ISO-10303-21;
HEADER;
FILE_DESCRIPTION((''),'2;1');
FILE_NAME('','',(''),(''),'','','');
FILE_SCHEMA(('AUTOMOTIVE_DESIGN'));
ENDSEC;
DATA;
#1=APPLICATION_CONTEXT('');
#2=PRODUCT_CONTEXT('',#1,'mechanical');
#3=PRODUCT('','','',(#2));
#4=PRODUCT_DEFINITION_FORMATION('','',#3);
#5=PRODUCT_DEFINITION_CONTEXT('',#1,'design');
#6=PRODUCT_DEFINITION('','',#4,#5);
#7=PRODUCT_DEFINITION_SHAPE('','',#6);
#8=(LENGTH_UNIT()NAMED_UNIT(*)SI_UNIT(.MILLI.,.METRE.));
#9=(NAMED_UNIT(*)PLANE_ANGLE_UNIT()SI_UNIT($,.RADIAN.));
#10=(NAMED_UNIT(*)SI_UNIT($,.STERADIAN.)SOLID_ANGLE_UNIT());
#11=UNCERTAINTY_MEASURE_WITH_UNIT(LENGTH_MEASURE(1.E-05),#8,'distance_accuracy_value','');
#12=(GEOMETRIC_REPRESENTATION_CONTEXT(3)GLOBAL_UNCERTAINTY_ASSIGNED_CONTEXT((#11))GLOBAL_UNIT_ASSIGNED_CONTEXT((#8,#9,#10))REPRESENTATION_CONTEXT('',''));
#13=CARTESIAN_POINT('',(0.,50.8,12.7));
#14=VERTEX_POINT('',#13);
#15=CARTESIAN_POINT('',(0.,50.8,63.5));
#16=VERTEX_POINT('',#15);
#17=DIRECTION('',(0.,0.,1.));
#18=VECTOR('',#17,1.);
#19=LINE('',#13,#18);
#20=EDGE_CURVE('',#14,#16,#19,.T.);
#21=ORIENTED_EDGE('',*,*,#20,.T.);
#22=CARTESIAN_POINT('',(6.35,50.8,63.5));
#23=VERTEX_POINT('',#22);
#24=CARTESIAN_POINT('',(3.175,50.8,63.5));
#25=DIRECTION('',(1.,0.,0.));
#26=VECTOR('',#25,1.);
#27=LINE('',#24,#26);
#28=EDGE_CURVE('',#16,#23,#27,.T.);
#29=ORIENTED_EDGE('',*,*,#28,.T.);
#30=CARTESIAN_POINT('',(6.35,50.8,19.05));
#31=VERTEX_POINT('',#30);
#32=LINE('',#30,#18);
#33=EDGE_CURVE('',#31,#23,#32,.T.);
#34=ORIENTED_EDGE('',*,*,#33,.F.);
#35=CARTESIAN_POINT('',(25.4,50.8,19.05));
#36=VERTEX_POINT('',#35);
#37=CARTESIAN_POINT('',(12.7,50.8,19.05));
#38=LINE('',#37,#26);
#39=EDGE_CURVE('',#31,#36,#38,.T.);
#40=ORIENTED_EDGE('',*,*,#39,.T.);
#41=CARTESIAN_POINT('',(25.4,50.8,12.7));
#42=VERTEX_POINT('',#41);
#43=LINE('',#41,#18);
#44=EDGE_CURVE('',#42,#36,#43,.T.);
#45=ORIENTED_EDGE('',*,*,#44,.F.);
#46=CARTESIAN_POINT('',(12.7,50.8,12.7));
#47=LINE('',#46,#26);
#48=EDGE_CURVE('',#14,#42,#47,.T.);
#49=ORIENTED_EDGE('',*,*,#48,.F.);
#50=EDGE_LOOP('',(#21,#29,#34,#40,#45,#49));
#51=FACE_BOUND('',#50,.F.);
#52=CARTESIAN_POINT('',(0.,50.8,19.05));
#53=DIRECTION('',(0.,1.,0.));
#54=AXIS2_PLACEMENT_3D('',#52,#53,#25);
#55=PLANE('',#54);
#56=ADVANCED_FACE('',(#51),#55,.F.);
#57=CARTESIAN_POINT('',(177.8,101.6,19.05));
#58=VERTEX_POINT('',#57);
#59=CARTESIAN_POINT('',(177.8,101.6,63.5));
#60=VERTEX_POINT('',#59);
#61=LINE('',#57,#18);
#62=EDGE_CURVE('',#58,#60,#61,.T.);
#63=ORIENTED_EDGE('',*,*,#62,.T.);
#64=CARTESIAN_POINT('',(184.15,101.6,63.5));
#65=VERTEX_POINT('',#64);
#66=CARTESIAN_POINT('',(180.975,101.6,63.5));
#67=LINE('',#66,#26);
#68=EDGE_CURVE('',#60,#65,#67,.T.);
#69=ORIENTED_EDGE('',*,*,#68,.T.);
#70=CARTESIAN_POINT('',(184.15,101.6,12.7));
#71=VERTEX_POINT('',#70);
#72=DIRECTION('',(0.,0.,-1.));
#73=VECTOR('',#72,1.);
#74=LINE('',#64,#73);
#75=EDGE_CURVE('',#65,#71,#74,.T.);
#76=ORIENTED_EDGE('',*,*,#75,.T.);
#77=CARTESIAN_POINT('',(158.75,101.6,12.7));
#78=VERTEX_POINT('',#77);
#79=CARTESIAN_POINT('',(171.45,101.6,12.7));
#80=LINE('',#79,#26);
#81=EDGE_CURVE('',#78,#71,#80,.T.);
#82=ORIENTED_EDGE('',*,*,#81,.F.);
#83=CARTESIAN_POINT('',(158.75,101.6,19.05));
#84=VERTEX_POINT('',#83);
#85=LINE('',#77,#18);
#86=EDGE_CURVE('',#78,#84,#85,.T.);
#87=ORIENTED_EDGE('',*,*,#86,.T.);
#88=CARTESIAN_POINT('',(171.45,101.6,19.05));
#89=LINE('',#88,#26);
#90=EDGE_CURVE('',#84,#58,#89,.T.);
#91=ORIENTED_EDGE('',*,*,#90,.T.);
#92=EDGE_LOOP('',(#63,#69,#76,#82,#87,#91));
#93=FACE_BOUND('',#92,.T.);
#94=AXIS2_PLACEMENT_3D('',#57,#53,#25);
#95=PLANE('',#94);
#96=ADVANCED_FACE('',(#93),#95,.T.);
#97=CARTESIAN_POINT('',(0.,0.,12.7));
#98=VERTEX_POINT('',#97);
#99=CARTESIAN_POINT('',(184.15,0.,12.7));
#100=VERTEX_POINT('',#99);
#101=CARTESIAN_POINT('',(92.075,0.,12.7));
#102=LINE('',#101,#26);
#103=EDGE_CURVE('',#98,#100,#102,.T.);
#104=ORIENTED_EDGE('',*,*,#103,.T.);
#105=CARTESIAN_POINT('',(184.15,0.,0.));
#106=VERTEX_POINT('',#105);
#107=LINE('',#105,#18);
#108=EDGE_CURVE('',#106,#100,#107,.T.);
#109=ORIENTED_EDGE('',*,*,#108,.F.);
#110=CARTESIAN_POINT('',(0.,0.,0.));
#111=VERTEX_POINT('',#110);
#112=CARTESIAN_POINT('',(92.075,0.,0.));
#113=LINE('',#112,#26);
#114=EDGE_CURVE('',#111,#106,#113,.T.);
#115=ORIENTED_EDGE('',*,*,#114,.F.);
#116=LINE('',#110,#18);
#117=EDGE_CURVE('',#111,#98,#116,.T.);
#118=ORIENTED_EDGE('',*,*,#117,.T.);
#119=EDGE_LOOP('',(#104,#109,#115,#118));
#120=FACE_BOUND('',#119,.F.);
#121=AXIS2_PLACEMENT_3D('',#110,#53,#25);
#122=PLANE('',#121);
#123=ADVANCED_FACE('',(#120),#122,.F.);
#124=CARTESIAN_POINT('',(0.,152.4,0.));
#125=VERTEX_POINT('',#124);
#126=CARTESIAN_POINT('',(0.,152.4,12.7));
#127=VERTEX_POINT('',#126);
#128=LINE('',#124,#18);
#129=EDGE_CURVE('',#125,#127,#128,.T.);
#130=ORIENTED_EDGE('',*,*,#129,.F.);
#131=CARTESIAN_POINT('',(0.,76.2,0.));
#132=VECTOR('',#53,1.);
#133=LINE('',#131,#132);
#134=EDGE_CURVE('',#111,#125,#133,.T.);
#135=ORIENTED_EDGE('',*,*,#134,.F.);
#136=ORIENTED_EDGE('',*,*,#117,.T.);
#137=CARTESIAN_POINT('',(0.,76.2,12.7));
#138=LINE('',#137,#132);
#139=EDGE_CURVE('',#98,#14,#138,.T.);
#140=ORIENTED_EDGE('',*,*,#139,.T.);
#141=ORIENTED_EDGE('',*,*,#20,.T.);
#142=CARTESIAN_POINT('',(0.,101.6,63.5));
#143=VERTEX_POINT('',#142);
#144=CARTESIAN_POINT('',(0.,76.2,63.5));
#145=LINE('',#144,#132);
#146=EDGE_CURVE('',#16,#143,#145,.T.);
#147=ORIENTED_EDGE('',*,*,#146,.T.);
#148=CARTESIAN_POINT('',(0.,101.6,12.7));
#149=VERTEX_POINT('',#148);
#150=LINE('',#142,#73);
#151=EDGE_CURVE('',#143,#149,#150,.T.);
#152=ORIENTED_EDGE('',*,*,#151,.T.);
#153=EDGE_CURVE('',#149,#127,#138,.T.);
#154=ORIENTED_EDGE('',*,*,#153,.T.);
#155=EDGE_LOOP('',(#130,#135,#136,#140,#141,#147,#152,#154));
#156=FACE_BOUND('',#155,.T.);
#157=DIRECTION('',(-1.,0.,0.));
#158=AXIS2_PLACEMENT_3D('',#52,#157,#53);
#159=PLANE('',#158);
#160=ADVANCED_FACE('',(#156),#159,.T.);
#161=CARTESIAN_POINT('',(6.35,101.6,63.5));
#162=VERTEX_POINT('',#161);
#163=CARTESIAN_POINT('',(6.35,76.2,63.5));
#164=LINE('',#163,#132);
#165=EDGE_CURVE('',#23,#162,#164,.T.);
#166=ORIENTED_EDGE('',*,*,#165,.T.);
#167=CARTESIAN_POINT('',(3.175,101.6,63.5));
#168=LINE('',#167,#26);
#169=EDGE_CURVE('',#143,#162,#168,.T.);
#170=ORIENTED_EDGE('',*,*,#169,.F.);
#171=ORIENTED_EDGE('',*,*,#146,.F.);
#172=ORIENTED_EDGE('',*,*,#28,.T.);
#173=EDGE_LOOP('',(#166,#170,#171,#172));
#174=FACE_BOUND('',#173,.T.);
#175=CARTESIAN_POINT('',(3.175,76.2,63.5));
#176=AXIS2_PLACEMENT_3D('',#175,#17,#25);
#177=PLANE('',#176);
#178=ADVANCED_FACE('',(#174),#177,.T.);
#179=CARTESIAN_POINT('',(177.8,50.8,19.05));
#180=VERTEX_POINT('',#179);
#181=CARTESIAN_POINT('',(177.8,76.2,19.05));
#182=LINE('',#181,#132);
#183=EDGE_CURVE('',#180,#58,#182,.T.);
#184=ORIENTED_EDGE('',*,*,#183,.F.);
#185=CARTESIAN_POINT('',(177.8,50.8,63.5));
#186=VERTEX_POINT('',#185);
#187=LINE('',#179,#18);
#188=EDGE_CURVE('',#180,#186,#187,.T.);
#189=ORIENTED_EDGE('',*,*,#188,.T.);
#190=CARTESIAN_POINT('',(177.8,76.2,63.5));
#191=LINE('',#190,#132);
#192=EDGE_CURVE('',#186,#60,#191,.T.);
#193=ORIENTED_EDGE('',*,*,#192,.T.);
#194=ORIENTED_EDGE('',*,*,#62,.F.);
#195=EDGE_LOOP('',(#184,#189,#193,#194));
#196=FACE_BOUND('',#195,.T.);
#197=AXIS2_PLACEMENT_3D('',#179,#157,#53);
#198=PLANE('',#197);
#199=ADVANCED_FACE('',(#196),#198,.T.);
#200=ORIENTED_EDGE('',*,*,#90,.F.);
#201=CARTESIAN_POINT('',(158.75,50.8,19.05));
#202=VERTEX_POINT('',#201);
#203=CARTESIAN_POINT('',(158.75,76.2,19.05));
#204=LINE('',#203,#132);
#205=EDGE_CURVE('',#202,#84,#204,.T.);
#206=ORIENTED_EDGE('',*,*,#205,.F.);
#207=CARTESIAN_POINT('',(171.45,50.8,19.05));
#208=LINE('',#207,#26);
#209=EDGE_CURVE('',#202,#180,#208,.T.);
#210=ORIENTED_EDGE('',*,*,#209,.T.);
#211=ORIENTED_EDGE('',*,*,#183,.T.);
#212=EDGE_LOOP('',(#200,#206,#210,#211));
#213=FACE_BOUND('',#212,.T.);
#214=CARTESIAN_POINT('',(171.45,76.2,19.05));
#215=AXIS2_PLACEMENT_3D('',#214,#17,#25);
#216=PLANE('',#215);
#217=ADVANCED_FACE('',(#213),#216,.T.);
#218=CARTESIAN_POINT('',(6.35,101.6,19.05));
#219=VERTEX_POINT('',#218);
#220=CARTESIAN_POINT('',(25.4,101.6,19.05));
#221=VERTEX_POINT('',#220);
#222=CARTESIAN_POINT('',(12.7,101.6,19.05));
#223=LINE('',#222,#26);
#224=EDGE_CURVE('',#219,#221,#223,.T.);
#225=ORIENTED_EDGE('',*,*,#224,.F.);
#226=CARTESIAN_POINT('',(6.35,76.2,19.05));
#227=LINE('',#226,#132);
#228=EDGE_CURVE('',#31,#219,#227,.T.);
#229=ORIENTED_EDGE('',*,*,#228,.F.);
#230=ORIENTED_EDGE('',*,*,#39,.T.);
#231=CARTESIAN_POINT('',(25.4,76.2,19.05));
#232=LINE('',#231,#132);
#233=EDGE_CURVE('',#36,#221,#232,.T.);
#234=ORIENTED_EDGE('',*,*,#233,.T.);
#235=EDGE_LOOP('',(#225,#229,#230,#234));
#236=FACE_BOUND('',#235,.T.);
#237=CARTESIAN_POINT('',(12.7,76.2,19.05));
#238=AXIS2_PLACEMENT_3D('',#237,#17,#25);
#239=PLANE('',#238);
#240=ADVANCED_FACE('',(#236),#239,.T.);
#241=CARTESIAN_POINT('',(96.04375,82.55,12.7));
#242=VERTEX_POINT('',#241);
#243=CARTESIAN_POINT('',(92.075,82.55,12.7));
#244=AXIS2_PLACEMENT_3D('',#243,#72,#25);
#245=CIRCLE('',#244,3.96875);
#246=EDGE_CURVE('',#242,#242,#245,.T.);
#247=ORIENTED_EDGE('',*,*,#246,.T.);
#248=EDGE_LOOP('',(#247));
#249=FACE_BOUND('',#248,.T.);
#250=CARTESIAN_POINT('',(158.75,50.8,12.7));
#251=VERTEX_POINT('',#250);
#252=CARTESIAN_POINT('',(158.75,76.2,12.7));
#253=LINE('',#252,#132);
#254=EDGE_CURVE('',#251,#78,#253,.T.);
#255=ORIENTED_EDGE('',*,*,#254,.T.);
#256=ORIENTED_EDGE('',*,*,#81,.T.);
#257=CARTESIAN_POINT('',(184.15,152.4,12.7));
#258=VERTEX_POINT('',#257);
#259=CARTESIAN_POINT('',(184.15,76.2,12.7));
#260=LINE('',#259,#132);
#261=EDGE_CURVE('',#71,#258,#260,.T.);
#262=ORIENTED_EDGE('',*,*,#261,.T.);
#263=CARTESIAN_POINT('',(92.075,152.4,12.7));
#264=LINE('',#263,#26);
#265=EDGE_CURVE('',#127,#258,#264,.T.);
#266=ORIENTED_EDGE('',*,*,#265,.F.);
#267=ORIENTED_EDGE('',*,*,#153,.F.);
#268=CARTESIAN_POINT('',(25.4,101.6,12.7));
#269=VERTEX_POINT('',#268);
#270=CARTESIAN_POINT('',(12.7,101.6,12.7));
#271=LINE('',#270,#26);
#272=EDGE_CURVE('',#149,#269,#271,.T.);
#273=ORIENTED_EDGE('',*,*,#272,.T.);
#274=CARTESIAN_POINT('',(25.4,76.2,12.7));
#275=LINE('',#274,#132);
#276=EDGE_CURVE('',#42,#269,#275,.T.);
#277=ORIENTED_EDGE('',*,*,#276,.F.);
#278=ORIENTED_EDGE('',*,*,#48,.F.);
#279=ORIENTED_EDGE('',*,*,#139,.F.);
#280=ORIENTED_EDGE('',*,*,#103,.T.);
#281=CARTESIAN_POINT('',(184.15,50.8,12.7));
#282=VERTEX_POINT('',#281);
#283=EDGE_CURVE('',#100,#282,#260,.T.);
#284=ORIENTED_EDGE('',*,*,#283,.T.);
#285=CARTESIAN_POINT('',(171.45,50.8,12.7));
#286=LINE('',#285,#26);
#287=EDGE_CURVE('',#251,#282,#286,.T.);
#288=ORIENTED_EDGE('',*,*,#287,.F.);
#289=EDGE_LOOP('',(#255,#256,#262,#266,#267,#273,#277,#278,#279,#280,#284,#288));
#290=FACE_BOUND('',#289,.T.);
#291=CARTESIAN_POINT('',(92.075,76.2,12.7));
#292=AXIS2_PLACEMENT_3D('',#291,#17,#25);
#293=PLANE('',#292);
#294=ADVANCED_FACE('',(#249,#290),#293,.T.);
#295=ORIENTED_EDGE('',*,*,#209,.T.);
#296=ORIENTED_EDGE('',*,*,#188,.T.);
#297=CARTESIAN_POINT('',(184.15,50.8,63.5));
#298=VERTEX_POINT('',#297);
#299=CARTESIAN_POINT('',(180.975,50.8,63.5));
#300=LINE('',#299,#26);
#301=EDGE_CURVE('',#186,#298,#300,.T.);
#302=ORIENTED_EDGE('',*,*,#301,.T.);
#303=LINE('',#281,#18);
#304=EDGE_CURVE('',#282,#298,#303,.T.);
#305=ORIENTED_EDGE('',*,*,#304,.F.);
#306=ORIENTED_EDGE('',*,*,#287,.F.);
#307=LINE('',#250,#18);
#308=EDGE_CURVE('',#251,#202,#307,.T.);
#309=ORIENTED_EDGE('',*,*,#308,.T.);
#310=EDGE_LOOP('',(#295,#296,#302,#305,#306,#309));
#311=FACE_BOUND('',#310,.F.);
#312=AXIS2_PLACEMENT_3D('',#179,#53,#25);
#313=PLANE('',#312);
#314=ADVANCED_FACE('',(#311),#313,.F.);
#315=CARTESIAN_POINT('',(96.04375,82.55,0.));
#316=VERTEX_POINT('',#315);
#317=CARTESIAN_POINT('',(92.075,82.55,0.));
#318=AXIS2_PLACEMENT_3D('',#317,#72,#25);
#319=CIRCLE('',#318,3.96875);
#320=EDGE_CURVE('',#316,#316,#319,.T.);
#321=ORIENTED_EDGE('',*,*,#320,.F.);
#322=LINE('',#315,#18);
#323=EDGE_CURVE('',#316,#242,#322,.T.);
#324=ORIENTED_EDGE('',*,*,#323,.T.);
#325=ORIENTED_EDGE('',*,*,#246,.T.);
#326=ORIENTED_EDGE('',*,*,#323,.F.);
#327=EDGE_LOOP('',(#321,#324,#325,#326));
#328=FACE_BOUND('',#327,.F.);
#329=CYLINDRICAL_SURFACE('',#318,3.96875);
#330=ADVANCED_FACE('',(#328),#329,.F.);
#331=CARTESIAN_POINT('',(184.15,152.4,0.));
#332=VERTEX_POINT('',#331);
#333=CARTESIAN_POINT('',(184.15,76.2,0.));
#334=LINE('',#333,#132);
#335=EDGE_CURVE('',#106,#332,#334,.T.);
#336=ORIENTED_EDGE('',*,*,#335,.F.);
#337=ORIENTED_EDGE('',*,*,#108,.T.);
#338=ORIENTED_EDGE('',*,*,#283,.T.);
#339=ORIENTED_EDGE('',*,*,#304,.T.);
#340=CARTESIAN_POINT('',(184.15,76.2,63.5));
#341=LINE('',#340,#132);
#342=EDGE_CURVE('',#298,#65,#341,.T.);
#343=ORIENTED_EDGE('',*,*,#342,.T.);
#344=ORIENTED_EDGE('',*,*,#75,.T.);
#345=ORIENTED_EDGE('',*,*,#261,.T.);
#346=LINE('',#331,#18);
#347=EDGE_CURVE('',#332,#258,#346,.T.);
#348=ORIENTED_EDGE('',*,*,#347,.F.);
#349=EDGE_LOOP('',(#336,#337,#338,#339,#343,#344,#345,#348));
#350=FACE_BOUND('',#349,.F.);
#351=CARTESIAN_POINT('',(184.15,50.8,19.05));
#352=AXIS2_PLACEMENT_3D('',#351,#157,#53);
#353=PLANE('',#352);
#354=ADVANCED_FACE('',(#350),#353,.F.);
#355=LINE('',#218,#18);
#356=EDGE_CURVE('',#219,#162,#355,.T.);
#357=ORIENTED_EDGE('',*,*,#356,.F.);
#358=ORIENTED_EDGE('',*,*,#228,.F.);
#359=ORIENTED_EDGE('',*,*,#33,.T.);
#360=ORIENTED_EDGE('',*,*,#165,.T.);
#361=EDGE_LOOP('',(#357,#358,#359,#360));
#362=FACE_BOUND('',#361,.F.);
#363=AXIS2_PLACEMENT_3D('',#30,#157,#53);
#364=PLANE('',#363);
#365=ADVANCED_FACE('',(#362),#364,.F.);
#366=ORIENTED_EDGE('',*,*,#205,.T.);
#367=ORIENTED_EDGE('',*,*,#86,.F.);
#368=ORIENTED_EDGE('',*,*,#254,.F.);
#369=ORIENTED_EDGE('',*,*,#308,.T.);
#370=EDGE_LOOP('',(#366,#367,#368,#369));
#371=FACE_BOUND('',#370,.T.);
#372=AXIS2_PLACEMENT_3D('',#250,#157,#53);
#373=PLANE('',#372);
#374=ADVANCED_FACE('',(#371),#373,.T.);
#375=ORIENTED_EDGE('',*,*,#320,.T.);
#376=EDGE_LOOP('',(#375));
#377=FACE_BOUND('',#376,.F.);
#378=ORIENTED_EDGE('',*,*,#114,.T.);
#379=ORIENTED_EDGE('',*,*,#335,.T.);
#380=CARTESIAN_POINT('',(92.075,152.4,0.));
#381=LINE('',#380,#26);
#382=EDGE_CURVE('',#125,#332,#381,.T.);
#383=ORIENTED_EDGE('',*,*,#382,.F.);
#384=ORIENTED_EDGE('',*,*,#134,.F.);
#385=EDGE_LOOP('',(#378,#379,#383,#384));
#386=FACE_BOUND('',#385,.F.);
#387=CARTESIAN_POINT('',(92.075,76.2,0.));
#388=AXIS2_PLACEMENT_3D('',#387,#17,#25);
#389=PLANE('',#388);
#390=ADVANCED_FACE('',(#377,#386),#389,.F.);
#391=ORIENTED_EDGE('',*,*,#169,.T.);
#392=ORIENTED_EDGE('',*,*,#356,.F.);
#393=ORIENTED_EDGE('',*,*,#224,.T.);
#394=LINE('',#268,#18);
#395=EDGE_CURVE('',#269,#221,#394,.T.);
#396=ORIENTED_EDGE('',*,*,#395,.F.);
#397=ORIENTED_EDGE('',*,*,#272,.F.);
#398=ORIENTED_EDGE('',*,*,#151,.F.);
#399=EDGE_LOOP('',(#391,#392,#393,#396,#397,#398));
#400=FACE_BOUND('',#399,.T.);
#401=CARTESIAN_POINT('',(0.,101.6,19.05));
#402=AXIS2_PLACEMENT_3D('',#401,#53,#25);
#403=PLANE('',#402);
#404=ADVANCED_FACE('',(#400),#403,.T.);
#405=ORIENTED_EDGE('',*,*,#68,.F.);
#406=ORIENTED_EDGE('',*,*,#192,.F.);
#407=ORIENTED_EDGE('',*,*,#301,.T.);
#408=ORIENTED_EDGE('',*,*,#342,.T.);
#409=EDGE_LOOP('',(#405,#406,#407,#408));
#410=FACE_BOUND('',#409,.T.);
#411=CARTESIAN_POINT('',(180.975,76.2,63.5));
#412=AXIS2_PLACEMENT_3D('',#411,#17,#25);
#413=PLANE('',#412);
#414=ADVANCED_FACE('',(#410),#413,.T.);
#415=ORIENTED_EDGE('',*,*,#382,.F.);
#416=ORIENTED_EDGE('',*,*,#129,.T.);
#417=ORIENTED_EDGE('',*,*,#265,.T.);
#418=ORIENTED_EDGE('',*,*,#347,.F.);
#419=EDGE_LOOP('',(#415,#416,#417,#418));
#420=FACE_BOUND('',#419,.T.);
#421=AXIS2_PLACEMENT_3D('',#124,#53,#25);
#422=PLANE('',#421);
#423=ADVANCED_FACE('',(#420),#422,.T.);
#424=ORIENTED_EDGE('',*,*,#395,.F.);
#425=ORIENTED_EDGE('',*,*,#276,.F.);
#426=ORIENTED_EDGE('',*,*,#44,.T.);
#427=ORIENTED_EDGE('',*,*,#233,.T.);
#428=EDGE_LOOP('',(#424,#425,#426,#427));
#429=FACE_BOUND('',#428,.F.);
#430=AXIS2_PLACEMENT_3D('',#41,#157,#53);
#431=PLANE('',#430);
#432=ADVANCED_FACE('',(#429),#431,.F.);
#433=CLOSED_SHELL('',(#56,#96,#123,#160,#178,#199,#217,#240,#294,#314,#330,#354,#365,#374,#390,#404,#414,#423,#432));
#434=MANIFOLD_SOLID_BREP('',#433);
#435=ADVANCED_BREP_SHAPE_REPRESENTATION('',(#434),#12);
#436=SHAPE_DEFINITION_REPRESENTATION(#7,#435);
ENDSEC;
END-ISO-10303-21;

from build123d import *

# Parameters (mm, degrees)
F0_W      = 184.15
F0_H      = 152.4
F1_DEPTH  = 12.7
F3_R      = 3.96875
F4_DEPTH  = 25.4
F5_W      = 25.4
F5_H      = 50.8
F6_DEPTH  = 6.35
F7_W      = 6.35
F7_H      = 50.8
F8_DEPTH  = 44.45
F9_W      = 6.35
F9_H      = 50.8
F10_DEPTH = 44.45


with BuildPart() as f1:
    # F0 (on Top) → F1 (new body)
    with BuildSketch(Plane.XY):
        with Locations((92.075, 76.2)):
            Rectangle(F0_W, F0_H)
    extrude(amount=F1_DEPTH)

    # F3 (on face) → F4 (cut)
    with BuildSketch(Plane(origin=(0, 0, 0), x_dir=(1, 0, 0), z_dir=(0, 0, -1))):
        with Locations((92.075, -82.55)):
            Circle(F3_R)
    extrude(amount=-F4_DEPTH, mode=Mode.SUBTRACT)

    # F5 (on face) → F6 (join)
    with BuildSketch(Plane.XY.offset(12.7)):
        with Locations((12.7, 76.2)):
            Rectangle(F5_W, F5_H)
        with Locations((171.45, 76.2)):
            Rectangle(F5_W, F5_H)
    extrude(amount=F6_DEPTH)

    # F7 (on face) → F8 (join)
    with BuildSketch(Plane.XY.offset(19.05)):
        with Locations((3.175, 76.2)):
            Rectangle(F7_W, F7_H)
    extrude(amount=F8_DEPTH)

    # F9 (on face) → F10 (join)
    with BuildSketch(Plane.XY.offset(19.05)):
        with Locations((180.975, 76.2)):
            Rectangle(F9_W, F9_H)
    extrude(amount=F10_DEPTH)


solid = f1.part
